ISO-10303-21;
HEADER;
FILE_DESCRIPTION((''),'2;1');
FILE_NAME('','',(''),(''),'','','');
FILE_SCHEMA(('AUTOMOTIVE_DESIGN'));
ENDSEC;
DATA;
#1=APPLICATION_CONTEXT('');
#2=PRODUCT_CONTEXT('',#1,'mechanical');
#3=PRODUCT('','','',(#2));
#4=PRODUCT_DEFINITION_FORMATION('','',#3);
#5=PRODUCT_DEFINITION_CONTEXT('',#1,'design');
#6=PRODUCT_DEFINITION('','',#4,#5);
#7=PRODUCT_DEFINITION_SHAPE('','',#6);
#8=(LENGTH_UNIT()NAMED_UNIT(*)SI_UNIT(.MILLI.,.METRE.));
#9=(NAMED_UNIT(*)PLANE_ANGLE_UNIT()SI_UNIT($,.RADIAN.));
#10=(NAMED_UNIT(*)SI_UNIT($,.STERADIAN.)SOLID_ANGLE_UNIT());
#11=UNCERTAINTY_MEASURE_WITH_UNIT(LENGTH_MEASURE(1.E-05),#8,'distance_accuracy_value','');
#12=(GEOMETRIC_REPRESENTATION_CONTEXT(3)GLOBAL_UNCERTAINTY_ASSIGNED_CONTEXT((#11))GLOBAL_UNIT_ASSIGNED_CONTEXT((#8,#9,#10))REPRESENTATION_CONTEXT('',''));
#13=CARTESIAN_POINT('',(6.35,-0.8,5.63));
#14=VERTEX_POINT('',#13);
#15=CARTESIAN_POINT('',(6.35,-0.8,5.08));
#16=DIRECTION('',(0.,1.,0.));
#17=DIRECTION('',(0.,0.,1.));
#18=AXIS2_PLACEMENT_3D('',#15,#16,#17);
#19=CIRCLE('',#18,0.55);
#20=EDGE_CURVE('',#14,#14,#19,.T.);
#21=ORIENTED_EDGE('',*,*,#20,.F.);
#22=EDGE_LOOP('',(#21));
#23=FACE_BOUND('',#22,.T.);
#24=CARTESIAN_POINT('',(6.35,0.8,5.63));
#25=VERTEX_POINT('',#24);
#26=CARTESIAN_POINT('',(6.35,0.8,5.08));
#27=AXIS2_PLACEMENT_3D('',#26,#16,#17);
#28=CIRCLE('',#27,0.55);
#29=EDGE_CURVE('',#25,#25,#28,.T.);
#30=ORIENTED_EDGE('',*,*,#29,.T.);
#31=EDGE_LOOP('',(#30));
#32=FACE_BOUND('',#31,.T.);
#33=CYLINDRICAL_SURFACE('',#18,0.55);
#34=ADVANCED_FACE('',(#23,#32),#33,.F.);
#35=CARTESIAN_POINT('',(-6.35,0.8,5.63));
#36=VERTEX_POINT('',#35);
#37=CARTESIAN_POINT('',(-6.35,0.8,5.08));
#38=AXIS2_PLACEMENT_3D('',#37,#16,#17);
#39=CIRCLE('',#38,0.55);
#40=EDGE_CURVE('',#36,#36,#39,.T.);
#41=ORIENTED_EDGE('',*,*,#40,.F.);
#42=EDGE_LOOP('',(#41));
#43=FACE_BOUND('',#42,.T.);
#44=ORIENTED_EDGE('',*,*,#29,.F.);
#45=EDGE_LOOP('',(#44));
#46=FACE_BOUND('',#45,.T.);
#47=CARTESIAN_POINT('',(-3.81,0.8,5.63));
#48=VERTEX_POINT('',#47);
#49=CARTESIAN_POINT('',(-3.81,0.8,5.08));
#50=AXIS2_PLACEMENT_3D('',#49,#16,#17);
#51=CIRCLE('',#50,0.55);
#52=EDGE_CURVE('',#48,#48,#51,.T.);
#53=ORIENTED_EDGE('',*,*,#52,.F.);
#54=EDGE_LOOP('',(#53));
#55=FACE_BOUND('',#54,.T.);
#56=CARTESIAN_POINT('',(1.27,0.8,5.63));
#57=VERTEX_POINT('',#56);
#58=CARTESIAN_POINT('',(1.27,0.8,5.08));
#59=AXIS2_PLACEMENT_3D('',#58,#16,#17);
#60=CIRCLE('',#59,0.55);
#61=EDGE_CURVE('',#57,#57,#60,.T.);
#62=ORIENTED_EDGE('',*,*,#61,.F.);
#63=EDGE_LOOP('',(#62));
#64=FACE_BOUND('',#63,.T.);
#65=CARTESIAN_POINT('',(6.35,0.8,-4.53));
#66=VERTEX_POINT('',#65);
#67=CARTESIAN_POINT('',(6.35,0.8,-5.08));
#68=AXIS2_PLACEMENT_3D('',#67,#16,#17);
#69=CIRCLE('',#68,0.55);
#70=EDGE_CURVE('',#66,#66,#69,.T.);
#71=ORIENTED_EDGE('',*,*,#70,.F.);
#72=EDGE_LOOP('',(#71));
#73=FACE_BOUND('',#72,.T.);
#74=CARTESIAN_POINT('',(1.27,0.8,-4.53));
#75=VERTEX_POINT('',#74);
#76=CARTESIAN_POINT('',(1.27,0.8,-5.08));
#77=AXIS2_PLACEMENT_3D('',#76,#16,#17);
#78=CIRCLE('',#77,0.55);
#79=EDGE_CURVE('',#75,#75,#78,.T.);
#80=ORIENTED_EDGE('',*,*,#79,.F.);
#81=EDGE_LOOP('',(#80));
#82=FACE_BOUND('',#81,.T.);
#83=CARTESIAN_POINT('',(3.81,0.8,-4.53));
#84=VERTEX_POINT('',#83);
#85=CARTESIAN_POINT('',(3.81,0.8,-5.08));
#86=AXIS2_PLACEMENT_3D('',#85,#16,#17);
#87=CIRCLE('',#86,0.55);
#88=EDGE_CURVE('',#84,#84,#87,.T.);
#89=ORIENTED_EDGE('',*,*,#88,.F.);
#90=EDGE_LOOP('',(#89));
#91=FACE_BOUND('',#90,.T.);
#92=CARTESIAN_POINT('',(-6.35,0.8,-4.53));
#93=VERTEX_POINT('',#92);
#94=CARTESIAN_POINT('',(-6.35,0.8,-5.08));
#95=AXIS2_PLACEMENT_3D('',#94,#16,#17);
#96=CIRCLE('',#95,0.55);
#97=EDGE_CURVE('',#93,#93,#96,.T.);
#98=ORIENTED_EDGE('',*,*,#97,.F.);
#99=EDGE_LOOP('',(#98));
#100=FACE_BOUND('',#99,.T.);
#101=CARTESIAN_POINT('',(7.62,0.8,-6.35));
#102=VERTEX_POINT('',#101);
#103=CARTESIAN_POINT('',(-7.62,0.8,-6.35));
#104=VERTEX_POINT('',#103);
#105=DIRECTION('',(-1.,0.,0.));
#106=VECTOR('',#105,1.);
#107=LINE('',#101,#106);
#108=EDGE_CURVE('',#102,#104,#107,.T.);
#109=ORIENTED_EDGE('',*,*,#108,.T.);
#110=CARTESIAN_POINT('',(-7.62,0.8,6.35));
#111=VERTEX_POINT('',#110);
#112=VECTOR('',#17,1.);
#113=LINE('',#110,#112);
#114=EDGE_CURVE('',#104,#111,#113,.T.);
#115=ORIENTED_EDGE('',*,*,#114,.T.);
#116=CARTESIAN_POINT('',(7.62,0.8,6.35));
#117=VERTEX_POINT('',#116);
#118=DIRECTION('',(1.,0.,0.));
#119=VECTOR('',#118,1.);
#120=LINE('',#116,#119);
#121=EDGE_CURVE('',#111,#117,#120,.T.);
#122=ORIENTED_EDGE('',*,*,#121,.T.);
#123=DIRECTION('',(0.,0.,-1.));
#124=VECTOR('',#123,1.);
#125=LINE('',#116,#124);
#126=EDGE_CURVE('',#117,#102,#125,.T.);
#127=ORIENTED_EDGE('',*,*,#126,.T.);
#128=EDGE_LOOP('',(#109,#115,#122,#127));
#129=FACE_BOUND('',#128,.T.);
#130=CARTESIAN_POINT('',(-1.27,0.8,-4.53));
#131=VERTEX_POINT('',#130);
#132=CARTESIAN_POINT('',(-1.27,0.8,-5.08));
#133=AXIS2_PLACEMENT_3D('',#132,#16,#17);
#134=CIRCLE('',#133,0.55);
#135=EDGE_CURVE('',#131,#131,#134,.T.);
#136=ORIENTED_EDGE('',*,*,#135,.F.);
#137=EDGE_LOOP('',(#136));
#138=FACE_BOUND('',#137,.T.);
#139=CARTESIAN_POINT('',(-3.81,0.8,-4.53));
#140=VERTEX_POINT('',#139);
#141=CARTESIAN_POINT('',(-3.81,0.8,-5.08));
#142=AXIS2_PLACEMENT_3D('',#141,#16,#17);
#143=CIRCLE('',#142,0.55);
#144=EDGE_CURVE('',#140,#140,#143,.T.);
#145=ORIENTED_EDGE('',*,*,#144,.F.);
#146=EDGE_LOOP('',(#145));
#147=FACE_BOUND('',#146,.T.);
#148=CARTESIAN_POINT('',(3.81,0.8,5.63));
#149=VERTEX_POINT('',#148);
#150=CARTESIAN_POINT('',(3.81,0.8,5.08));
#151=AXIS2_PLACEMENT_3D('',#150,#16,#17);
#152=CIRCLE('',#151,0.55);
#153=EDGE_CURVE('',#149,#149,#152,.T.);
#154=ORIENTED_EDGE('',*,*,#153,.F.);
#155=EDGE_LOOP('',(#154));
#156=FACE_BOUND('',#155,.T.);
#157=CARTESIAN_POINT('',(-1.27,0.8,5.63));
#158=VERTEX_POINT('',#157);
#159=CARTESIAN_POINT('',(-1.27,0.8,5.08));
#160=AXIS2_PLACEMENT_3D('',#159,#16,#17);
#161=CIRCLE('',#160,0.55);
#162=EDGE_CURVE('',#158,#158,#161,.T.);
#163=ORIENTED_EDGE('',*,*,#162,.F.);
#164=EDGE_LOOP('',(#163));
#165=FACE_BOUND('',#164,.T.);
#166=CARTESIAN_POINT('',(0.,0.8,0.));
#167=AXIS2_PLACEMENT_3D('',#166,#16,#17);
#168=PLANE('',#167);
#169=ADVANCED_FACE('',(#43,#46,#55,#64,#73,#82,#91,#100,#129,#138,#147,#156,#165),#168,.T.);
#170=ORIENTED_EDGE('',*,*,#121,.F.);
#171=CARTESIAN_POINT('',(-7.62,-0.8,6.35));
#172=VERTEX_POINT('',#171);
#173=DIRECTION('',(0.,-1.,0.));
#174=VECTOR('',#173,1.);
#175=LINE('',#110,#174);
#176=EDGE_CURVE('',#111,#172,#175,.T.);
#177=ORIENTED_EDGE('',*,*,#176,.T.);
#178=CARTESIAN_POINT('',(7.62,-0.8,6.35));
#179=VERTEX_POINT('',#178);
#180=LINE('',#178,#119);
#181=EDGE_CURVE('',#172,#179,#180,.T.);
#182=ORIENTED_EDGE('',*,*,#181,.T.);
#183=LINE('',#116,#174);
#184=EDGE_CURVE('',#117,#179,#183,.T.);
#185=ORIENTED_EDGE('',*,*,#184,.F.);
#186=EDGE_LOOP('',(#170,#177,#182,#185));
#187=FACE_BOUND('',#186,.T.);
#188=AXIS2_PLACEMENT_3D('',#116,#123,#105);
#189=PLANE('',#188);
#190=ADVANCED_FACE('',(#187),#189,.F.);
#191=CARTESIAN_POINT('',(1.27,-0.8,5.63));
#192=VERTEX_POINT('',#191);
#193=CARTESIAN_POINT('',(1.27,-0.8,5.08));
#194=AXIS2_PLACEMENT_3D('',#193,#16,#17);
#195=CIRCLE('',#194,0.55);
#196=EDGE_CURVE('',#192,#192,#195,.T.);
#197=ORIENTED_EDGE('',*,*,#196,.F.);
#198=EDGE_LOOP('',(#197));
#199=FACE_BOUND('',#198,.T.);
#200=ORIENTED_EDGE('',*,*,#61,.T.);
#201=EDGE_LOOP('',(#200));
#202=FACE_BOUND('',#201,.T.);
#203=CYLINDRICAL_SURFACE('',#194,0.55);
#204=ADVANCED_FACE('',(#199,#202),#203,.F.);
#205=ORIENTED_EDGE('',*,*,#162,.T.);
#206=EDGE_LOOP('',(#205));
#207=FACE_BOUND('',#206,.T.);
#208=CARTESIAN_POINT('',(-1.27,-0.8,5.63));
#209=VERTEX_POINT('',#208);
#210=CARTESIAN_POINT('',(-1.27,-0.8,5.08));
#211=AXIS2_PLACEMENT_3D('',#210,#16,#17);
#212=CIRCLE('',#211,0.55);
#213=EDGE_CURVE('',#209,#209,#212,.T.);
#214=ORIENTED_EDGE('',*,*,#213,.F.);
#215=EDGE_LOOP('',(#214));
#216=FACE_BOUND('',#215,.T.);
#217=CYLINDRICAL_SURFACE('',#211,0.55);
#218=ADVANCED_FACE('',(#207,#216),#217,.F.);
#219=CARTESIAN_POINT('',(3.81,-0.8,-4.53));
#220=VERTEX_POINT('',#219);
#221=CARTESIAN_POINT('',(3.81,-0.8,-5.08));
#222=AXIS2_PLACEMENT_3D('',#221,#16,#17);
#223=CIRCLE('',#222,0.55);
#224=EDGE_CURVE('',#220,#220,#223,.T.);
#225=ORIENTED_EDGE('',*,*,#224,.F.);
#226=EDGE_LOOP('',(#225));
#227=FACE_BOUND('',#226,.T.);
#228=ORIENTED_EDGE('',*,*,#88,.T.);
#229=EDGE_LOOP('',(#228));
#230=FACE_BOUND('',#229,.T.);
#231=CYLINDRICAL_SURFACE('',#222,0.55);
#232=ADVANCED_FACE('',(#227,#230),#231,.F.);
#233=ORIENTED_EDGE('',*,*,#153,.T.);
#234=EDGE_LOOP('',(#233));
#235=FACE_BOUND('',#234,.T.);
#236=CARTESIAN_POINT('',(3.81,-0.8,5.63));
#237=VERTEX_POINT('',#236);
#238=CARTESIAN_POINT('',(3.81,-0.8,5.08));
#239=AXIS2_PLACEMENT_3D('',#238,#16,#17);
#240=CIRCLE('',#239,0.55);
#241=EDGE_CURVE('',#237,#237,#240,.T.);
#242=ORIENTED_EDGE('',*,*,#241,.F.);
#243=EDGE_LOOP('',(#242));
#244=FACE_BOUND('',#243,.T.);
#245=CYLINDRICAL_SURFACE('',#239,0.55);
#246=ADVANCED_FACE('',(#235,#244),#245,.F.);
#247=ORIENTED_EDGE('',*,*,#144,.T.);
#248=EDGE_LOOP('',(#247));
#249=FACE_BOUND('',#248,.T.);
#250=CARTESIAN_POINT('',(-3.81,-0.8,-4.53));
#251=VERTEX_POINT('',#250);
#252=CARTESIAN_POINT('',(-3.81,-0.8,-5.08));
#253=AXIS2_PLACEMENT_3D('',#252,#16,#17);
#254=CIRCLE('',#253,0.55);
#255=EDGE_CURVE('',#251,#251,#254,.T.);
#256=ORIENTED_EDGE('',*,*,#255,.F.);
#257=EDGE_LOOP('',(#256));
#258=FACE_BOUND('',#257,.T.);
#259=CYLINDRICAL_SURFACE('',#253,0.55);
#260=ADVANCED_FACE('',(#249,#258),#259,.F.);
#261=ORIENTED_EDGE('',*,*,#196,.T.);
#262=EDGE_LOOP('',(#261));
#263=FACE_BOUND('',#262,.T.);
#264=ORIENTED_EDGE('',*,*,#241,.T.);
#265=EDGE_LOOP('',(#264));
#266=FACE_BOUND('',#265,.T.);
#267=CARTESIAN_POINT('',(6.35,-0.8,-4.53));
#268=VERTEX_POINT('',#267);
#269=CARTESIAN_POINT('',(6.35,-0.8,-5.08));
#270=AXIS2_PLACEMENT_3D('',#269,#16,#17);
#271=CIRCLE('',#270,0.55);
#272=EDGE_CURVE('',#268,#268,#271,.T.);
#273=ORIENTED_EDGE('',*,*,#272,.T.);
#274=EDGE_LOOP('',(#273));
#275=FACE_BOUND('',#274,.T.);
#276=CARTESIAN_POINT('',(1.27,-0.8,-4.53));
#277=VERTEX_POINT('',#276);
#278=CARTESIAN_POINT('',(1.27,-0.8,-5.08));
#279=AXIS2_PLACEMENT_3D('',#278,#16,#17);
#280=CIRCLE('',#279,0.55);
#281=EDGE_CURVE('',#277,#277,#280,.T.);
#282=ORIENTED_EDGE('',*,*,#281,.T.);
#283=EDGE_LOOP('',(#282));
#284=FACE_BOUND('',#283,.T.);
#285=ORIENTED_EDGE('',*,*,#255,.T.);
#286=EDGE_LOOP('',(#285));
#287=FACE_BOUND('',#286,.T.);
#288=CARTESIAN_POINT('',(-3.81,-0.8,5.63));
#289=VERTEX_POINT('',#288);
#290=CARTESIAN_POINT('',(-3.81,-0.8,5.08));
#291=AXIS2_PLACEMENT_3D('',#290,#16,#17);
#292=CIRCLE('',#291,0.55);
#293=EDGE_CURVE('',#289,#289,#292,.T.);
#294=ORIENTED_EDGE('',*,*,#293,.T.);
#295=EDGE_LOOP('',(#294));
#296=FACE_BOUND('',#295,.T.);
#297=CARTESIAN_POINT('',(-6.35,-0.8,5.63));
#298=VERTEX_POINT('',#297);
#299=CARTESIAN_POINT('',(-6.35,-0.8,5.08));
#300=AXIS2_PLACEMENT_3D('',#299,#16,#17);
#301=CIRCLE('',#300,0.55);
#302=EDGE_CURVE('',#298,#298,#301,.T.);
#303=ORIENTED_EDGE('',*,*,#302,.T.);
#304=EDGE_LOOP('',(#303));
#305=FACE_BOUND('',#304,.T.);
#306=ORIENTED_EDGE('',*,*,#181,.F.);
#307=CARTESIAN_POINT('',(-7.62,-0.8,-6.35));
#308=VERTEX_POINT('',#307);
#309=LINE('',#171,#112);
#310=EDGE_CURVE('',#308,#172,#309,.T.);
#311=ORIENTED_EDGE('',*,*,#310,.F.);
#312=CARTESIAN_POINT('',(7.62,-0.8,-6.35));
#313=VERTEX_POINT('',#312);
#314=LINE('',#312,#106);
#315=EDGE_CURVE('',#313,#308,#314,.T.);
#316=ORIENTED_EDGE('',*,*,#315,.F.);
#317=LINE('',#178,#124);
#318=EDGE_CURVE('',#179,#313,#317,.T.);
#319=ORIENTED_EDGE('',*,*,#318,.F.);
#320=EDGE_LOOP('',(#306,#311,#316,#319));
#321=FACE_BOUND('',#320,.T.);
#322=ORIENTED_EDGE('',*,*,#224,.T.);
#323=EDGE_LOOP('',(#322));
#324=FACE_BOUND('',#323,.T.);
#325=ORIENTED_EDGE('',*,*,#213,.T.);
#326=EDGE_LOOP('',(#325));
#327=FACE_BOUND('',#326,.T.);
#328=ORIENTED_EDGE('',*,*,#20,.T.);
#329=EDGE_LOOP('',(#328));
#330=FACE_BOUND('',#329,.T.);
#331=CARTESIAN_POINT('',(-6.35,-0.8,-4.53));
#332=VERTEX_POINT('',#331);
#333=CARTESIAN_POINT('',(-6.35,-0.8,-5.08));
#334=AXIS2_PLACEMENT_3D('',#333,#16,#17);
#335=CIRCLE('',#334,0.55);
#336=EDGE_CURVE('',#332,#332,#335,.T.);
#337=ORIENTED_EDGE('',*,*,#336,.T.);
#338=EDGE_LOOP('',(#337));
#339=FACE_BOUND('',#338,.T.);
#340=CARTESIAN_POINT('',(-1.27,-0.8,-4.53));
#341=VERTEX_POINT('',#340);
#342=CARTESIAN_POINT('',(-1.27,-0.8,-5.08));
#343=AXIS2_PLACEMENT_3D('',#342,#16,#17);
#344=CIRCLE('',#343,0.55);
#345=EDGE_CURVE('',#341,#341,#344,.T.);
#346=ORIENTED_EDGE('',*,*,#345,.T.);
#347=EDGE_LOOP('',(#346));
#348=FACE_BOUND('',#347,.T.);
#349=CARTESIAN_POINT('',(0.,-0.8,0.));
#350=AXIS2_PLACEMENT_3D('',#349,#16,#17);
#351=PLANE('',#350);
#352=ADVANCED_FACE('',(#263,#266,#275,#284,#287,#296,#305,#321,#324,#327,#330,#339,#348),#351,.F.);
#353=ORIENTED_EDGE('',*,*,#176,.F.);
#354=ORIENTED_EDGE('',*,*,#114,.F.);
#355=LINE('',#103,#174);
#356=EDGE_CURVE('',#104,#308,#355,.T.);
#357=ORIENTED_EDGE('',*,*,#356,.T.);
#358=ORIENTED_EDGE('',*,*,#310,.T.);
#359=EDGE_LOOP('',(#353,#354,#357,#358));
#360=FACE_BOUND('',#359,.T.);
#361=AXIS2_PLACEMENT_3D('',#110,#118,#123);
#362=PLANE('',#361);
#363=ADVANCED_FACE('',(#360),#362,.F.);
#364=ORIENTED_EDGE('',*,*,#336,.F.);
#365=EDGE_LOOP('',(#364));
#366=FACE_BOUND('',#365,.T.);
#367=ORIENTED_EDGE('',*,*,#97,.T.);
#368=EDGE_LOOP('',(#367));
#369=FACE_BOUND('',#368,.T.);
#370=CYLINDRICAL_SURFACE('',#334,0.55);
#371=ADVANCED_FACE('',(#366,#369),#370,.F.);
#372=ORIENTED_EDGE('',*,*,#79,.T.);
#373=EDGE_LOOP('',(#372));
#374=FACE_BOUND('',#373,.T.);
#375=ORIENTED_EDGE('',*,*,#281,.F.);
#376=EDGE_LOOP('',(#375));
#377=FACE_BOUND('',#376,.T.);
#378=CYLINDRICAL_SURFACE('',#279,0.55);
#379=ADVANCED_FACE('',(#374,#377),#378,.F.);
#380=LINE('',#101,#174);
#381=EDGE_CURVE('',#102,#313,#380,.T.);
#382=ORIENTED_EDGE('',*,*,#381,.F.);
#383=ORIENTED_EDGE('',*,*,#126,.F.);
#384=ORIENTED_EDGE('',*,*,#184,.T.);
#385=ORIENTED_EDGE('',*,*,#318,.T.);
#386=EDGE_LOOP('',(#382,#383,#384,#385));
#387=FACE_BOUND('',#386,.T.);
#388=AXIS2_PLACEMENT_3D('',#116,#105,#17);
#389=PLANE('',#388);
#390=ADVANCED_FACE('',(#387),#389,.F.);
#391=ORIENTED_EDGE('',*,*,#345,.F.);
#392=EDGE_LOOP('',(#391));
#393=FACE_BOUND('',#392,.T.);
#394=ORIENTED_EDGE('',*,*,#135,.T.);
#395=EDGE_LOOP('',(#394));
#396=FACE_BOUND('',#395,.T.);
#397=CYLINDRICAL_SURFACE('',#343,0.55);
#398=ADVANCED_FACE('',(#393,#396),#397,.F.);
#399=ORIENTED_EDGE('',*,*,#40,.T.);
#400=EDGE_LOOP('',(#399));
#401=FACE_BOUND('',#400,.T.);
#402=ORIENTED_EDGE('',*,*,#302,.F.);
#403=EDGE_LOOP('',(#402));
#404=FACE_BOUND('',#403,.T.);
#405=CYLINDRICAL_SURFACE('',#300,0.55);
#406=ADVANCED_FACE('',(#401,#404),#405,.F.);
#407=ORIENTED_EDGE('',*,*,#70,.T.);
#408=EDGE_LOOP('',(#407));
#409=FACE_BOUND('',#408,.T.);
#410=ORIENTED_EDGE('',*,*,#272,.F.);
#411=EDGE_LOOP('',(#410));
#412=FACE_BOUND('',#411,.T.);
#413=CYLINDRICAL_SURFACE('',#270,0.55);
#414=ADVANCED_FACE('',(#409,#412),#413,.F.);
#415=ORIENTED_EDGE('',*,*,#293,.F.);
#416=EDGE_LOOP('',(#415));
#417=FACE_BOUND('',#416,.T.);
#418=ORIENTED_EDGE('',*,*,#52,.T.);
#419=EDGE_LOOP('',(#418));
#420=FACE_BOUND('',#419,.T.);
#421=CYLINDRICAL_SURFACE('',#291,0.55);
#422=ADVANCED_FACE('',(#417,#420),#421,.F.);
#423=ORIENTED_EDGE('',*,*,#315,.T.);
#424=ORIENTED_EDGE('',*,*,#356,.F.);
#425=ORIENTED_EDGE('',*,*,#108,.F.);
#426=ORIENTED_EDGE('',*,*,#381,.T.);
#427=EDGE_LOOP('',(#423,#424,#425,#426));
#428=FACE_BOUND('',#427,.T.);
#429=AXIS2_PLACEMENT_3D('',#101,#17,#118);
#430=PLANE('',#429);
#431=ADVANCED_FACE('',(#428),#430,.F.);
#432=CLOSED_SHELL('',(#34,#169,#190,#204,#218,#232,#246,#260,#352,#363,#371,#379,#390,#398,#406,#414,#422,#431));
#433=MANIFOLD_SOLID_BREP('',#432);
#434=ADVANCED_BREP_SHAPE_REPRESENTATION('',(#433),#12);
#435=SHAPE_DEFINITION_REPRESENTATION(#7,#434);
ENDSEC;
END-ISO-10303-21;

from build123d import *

# Parameters (mm, degrees)
SKETCH1_W            = 15.24
SKETCH1_H            = 12.7
BOSS_EXTRUDE1_DEPTH  = 0.8
SKETCH2_R            = 0.55
CUT_EXTRUDE1_DEPTH   = 11.04723345
LPATTERN1_COUNT      = 6
LPATTERN1_PITCH      = 2.54
LPATTERN1_COUNT_DIR2 = 2
LPATTERN1_PITCH_DIR2 = 10.16


with BuildPart() as part:
    # Sketch1 → Boss-Extrude1 (new, symmetric)
    with BuildSketch(Plane(origin=(0, 0, 0), x_dir=(1, 0, 0), z_dir=(0, 1, 0))):
        Rectangle(SKETCH1_W, SKETCH1_H)
    extrude(amount=BOSS_EXTRUDE1_DEPTH, both=True)

    # Sketch2 → Cut-Extrude1 (cut, through all)
    with BuildSketch(Plane(origin=(0, 0.8, 0), x_dir=(1, 0, 0), z_dir=(0, 1, 0))):
        with Locations(Location((-6.35, -5.08, 0), (0, 0, 270))):
            Circle(SKETCH2_R)
    cut_extrude1 = extrude(amount=-CUT_EXTRUDE1_DEPTH, mode=Mode.SUBTRACT)

    # LPattern1: Cut-Extrude1 6 × 2
    with Locations(*[(i * LPATTERN1_PITCH, 0, -j * LPATTERN1_PITCH_DIR2) for i in range(LPATTERN1_COUNT) for j in range(LPATTERN1_COUNT_DIR2) if (i, j) != (0, 0)]):
        add(cut_extrude1, mode=Mode.SUBTRACT)


solid = part.part
